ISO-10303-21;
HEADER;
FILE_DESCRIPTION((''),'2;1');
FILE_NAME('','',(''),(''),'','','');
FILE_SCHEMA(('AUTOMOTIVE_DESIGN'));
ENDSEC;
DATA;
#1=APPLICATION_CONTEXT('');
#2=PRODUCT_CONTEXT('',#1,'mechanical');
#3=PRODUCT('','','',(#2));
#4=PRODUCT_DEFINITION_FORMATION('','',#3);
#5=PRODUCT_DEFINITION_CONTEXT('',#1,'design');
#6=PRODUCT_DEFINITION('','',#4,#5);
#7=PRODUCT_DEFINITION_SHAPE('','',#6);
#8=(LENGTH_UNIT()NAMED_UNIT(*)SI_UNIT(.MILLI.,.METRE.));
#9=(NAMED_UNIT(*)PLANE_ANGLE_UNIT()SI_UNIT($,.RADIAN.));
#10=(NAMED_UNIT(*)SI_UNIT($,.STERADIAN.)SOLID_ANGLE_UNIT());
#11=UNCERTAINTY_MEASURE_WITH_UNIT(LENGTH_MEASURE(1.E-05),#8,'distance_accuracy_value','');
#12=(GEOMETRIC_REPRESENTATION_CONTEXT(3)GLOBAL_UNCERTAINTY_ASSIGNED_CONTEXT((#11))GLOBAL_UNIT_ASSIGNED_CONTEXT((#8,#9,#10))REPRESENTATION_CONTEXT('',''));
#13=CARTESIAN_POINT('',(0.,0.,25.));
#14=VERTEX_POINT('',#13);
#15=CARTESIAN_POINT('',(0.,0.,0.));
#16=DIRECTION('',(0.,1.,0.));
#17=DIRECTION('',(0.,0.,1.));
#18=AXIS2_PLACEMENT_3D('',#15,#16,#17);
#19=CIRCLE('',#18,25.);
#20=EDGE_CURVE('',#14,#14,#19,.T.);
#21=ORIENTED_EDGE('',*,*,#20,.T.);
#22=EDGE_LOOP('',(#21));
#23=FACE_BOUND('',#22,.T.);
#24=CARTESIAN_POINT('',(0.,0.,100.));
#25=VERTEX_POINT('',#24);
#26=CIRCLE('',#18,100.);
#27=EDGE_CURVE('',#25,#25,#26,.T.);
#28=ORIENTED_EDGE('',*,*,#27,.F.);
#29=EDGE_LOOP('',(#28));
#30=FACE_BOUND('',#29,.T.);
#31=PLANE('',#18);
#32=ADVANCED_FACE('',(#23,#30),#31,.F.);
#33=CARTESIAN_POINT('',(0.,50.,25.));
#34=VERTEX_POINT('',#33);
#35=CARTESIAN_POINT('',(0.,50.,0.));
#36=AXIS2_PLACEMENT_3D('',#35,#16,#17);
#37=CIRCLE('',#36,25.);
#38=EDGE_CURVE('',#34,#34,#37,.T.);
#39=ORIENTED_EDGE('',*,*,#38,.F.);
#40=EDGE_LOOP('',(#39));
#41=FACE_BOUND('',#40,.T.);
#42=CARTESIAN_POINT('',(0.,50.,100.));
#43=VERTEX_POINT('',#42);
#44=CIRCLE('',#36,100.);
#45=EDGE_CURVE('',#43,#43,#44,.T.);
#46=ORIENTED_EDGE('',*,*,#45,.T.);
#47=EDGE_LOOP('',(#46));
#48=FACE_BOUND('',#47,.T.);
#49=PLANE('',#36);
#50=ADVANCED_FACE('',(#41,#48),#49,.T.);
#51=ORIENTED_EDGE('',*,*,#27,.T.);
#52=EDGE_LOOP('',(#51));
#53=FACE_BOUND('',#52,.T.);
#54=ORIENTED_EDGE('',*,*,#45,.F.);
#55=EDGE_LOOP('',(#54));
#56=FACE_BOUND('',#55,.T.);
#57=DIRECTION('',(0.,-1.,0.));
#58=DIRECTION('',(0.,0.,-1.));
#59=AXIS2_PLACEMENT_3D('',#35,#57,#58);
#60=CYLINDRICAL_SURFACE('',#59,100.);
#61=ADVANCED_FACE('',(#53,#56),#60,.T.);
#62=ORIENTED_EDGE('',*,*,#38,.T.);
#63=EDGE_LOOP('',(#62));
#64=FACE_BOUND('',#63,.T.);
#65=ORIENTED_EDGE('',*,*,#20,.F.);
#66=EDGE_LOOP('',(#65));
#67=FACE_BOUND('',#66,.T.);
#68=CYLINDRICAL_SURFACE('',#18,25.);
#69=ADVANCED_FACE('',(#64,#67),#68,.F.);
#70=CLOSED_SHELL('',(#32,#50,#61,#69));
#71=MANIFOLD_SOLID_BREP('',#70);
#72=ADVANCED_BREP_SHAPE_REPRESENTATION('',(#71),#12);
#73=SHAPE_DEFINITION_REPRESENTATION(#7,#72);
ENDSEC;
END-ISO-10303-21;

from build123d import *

# Parameters (mm, degrees)
SKETCH1_R           = 100
BOSS_EXTRUDE2_DEPTH = 50
SKETCH2_R           = 25
CUT_EXTRUDE1_DEPTH  = 50


with BuildPart() as part:
    # Sketch1 → Boss-Extrude2 (new body)
    with BuildSketch(Plane(origin=(0, 0, 0), x_dir=(1, 0, 0), z_dir=(0, 1, 0))):
        with Locations(Location((0, 0, 0), (0, 0, 270))):
            Circle(SKETCH1_R)
    extrude(amount=BOSS_EXTRUDE2_DEPTH)

    # Sketch2 → Cut-Extrude1 (cut)
    with BuildSketch(Plane(origin=(0, 50, 0), x_dir=(1, 0, 0), z_dir=(0, 1, 0))):
        with Locations(Location((0, 0, 0), (0, 0, 270))):
            Circle(SKETCH2_R)
    extrude(amount=-CUT_EXTRUDE1_DEPTH, mode=Mode.SUBTRACT)


solid = part.part
